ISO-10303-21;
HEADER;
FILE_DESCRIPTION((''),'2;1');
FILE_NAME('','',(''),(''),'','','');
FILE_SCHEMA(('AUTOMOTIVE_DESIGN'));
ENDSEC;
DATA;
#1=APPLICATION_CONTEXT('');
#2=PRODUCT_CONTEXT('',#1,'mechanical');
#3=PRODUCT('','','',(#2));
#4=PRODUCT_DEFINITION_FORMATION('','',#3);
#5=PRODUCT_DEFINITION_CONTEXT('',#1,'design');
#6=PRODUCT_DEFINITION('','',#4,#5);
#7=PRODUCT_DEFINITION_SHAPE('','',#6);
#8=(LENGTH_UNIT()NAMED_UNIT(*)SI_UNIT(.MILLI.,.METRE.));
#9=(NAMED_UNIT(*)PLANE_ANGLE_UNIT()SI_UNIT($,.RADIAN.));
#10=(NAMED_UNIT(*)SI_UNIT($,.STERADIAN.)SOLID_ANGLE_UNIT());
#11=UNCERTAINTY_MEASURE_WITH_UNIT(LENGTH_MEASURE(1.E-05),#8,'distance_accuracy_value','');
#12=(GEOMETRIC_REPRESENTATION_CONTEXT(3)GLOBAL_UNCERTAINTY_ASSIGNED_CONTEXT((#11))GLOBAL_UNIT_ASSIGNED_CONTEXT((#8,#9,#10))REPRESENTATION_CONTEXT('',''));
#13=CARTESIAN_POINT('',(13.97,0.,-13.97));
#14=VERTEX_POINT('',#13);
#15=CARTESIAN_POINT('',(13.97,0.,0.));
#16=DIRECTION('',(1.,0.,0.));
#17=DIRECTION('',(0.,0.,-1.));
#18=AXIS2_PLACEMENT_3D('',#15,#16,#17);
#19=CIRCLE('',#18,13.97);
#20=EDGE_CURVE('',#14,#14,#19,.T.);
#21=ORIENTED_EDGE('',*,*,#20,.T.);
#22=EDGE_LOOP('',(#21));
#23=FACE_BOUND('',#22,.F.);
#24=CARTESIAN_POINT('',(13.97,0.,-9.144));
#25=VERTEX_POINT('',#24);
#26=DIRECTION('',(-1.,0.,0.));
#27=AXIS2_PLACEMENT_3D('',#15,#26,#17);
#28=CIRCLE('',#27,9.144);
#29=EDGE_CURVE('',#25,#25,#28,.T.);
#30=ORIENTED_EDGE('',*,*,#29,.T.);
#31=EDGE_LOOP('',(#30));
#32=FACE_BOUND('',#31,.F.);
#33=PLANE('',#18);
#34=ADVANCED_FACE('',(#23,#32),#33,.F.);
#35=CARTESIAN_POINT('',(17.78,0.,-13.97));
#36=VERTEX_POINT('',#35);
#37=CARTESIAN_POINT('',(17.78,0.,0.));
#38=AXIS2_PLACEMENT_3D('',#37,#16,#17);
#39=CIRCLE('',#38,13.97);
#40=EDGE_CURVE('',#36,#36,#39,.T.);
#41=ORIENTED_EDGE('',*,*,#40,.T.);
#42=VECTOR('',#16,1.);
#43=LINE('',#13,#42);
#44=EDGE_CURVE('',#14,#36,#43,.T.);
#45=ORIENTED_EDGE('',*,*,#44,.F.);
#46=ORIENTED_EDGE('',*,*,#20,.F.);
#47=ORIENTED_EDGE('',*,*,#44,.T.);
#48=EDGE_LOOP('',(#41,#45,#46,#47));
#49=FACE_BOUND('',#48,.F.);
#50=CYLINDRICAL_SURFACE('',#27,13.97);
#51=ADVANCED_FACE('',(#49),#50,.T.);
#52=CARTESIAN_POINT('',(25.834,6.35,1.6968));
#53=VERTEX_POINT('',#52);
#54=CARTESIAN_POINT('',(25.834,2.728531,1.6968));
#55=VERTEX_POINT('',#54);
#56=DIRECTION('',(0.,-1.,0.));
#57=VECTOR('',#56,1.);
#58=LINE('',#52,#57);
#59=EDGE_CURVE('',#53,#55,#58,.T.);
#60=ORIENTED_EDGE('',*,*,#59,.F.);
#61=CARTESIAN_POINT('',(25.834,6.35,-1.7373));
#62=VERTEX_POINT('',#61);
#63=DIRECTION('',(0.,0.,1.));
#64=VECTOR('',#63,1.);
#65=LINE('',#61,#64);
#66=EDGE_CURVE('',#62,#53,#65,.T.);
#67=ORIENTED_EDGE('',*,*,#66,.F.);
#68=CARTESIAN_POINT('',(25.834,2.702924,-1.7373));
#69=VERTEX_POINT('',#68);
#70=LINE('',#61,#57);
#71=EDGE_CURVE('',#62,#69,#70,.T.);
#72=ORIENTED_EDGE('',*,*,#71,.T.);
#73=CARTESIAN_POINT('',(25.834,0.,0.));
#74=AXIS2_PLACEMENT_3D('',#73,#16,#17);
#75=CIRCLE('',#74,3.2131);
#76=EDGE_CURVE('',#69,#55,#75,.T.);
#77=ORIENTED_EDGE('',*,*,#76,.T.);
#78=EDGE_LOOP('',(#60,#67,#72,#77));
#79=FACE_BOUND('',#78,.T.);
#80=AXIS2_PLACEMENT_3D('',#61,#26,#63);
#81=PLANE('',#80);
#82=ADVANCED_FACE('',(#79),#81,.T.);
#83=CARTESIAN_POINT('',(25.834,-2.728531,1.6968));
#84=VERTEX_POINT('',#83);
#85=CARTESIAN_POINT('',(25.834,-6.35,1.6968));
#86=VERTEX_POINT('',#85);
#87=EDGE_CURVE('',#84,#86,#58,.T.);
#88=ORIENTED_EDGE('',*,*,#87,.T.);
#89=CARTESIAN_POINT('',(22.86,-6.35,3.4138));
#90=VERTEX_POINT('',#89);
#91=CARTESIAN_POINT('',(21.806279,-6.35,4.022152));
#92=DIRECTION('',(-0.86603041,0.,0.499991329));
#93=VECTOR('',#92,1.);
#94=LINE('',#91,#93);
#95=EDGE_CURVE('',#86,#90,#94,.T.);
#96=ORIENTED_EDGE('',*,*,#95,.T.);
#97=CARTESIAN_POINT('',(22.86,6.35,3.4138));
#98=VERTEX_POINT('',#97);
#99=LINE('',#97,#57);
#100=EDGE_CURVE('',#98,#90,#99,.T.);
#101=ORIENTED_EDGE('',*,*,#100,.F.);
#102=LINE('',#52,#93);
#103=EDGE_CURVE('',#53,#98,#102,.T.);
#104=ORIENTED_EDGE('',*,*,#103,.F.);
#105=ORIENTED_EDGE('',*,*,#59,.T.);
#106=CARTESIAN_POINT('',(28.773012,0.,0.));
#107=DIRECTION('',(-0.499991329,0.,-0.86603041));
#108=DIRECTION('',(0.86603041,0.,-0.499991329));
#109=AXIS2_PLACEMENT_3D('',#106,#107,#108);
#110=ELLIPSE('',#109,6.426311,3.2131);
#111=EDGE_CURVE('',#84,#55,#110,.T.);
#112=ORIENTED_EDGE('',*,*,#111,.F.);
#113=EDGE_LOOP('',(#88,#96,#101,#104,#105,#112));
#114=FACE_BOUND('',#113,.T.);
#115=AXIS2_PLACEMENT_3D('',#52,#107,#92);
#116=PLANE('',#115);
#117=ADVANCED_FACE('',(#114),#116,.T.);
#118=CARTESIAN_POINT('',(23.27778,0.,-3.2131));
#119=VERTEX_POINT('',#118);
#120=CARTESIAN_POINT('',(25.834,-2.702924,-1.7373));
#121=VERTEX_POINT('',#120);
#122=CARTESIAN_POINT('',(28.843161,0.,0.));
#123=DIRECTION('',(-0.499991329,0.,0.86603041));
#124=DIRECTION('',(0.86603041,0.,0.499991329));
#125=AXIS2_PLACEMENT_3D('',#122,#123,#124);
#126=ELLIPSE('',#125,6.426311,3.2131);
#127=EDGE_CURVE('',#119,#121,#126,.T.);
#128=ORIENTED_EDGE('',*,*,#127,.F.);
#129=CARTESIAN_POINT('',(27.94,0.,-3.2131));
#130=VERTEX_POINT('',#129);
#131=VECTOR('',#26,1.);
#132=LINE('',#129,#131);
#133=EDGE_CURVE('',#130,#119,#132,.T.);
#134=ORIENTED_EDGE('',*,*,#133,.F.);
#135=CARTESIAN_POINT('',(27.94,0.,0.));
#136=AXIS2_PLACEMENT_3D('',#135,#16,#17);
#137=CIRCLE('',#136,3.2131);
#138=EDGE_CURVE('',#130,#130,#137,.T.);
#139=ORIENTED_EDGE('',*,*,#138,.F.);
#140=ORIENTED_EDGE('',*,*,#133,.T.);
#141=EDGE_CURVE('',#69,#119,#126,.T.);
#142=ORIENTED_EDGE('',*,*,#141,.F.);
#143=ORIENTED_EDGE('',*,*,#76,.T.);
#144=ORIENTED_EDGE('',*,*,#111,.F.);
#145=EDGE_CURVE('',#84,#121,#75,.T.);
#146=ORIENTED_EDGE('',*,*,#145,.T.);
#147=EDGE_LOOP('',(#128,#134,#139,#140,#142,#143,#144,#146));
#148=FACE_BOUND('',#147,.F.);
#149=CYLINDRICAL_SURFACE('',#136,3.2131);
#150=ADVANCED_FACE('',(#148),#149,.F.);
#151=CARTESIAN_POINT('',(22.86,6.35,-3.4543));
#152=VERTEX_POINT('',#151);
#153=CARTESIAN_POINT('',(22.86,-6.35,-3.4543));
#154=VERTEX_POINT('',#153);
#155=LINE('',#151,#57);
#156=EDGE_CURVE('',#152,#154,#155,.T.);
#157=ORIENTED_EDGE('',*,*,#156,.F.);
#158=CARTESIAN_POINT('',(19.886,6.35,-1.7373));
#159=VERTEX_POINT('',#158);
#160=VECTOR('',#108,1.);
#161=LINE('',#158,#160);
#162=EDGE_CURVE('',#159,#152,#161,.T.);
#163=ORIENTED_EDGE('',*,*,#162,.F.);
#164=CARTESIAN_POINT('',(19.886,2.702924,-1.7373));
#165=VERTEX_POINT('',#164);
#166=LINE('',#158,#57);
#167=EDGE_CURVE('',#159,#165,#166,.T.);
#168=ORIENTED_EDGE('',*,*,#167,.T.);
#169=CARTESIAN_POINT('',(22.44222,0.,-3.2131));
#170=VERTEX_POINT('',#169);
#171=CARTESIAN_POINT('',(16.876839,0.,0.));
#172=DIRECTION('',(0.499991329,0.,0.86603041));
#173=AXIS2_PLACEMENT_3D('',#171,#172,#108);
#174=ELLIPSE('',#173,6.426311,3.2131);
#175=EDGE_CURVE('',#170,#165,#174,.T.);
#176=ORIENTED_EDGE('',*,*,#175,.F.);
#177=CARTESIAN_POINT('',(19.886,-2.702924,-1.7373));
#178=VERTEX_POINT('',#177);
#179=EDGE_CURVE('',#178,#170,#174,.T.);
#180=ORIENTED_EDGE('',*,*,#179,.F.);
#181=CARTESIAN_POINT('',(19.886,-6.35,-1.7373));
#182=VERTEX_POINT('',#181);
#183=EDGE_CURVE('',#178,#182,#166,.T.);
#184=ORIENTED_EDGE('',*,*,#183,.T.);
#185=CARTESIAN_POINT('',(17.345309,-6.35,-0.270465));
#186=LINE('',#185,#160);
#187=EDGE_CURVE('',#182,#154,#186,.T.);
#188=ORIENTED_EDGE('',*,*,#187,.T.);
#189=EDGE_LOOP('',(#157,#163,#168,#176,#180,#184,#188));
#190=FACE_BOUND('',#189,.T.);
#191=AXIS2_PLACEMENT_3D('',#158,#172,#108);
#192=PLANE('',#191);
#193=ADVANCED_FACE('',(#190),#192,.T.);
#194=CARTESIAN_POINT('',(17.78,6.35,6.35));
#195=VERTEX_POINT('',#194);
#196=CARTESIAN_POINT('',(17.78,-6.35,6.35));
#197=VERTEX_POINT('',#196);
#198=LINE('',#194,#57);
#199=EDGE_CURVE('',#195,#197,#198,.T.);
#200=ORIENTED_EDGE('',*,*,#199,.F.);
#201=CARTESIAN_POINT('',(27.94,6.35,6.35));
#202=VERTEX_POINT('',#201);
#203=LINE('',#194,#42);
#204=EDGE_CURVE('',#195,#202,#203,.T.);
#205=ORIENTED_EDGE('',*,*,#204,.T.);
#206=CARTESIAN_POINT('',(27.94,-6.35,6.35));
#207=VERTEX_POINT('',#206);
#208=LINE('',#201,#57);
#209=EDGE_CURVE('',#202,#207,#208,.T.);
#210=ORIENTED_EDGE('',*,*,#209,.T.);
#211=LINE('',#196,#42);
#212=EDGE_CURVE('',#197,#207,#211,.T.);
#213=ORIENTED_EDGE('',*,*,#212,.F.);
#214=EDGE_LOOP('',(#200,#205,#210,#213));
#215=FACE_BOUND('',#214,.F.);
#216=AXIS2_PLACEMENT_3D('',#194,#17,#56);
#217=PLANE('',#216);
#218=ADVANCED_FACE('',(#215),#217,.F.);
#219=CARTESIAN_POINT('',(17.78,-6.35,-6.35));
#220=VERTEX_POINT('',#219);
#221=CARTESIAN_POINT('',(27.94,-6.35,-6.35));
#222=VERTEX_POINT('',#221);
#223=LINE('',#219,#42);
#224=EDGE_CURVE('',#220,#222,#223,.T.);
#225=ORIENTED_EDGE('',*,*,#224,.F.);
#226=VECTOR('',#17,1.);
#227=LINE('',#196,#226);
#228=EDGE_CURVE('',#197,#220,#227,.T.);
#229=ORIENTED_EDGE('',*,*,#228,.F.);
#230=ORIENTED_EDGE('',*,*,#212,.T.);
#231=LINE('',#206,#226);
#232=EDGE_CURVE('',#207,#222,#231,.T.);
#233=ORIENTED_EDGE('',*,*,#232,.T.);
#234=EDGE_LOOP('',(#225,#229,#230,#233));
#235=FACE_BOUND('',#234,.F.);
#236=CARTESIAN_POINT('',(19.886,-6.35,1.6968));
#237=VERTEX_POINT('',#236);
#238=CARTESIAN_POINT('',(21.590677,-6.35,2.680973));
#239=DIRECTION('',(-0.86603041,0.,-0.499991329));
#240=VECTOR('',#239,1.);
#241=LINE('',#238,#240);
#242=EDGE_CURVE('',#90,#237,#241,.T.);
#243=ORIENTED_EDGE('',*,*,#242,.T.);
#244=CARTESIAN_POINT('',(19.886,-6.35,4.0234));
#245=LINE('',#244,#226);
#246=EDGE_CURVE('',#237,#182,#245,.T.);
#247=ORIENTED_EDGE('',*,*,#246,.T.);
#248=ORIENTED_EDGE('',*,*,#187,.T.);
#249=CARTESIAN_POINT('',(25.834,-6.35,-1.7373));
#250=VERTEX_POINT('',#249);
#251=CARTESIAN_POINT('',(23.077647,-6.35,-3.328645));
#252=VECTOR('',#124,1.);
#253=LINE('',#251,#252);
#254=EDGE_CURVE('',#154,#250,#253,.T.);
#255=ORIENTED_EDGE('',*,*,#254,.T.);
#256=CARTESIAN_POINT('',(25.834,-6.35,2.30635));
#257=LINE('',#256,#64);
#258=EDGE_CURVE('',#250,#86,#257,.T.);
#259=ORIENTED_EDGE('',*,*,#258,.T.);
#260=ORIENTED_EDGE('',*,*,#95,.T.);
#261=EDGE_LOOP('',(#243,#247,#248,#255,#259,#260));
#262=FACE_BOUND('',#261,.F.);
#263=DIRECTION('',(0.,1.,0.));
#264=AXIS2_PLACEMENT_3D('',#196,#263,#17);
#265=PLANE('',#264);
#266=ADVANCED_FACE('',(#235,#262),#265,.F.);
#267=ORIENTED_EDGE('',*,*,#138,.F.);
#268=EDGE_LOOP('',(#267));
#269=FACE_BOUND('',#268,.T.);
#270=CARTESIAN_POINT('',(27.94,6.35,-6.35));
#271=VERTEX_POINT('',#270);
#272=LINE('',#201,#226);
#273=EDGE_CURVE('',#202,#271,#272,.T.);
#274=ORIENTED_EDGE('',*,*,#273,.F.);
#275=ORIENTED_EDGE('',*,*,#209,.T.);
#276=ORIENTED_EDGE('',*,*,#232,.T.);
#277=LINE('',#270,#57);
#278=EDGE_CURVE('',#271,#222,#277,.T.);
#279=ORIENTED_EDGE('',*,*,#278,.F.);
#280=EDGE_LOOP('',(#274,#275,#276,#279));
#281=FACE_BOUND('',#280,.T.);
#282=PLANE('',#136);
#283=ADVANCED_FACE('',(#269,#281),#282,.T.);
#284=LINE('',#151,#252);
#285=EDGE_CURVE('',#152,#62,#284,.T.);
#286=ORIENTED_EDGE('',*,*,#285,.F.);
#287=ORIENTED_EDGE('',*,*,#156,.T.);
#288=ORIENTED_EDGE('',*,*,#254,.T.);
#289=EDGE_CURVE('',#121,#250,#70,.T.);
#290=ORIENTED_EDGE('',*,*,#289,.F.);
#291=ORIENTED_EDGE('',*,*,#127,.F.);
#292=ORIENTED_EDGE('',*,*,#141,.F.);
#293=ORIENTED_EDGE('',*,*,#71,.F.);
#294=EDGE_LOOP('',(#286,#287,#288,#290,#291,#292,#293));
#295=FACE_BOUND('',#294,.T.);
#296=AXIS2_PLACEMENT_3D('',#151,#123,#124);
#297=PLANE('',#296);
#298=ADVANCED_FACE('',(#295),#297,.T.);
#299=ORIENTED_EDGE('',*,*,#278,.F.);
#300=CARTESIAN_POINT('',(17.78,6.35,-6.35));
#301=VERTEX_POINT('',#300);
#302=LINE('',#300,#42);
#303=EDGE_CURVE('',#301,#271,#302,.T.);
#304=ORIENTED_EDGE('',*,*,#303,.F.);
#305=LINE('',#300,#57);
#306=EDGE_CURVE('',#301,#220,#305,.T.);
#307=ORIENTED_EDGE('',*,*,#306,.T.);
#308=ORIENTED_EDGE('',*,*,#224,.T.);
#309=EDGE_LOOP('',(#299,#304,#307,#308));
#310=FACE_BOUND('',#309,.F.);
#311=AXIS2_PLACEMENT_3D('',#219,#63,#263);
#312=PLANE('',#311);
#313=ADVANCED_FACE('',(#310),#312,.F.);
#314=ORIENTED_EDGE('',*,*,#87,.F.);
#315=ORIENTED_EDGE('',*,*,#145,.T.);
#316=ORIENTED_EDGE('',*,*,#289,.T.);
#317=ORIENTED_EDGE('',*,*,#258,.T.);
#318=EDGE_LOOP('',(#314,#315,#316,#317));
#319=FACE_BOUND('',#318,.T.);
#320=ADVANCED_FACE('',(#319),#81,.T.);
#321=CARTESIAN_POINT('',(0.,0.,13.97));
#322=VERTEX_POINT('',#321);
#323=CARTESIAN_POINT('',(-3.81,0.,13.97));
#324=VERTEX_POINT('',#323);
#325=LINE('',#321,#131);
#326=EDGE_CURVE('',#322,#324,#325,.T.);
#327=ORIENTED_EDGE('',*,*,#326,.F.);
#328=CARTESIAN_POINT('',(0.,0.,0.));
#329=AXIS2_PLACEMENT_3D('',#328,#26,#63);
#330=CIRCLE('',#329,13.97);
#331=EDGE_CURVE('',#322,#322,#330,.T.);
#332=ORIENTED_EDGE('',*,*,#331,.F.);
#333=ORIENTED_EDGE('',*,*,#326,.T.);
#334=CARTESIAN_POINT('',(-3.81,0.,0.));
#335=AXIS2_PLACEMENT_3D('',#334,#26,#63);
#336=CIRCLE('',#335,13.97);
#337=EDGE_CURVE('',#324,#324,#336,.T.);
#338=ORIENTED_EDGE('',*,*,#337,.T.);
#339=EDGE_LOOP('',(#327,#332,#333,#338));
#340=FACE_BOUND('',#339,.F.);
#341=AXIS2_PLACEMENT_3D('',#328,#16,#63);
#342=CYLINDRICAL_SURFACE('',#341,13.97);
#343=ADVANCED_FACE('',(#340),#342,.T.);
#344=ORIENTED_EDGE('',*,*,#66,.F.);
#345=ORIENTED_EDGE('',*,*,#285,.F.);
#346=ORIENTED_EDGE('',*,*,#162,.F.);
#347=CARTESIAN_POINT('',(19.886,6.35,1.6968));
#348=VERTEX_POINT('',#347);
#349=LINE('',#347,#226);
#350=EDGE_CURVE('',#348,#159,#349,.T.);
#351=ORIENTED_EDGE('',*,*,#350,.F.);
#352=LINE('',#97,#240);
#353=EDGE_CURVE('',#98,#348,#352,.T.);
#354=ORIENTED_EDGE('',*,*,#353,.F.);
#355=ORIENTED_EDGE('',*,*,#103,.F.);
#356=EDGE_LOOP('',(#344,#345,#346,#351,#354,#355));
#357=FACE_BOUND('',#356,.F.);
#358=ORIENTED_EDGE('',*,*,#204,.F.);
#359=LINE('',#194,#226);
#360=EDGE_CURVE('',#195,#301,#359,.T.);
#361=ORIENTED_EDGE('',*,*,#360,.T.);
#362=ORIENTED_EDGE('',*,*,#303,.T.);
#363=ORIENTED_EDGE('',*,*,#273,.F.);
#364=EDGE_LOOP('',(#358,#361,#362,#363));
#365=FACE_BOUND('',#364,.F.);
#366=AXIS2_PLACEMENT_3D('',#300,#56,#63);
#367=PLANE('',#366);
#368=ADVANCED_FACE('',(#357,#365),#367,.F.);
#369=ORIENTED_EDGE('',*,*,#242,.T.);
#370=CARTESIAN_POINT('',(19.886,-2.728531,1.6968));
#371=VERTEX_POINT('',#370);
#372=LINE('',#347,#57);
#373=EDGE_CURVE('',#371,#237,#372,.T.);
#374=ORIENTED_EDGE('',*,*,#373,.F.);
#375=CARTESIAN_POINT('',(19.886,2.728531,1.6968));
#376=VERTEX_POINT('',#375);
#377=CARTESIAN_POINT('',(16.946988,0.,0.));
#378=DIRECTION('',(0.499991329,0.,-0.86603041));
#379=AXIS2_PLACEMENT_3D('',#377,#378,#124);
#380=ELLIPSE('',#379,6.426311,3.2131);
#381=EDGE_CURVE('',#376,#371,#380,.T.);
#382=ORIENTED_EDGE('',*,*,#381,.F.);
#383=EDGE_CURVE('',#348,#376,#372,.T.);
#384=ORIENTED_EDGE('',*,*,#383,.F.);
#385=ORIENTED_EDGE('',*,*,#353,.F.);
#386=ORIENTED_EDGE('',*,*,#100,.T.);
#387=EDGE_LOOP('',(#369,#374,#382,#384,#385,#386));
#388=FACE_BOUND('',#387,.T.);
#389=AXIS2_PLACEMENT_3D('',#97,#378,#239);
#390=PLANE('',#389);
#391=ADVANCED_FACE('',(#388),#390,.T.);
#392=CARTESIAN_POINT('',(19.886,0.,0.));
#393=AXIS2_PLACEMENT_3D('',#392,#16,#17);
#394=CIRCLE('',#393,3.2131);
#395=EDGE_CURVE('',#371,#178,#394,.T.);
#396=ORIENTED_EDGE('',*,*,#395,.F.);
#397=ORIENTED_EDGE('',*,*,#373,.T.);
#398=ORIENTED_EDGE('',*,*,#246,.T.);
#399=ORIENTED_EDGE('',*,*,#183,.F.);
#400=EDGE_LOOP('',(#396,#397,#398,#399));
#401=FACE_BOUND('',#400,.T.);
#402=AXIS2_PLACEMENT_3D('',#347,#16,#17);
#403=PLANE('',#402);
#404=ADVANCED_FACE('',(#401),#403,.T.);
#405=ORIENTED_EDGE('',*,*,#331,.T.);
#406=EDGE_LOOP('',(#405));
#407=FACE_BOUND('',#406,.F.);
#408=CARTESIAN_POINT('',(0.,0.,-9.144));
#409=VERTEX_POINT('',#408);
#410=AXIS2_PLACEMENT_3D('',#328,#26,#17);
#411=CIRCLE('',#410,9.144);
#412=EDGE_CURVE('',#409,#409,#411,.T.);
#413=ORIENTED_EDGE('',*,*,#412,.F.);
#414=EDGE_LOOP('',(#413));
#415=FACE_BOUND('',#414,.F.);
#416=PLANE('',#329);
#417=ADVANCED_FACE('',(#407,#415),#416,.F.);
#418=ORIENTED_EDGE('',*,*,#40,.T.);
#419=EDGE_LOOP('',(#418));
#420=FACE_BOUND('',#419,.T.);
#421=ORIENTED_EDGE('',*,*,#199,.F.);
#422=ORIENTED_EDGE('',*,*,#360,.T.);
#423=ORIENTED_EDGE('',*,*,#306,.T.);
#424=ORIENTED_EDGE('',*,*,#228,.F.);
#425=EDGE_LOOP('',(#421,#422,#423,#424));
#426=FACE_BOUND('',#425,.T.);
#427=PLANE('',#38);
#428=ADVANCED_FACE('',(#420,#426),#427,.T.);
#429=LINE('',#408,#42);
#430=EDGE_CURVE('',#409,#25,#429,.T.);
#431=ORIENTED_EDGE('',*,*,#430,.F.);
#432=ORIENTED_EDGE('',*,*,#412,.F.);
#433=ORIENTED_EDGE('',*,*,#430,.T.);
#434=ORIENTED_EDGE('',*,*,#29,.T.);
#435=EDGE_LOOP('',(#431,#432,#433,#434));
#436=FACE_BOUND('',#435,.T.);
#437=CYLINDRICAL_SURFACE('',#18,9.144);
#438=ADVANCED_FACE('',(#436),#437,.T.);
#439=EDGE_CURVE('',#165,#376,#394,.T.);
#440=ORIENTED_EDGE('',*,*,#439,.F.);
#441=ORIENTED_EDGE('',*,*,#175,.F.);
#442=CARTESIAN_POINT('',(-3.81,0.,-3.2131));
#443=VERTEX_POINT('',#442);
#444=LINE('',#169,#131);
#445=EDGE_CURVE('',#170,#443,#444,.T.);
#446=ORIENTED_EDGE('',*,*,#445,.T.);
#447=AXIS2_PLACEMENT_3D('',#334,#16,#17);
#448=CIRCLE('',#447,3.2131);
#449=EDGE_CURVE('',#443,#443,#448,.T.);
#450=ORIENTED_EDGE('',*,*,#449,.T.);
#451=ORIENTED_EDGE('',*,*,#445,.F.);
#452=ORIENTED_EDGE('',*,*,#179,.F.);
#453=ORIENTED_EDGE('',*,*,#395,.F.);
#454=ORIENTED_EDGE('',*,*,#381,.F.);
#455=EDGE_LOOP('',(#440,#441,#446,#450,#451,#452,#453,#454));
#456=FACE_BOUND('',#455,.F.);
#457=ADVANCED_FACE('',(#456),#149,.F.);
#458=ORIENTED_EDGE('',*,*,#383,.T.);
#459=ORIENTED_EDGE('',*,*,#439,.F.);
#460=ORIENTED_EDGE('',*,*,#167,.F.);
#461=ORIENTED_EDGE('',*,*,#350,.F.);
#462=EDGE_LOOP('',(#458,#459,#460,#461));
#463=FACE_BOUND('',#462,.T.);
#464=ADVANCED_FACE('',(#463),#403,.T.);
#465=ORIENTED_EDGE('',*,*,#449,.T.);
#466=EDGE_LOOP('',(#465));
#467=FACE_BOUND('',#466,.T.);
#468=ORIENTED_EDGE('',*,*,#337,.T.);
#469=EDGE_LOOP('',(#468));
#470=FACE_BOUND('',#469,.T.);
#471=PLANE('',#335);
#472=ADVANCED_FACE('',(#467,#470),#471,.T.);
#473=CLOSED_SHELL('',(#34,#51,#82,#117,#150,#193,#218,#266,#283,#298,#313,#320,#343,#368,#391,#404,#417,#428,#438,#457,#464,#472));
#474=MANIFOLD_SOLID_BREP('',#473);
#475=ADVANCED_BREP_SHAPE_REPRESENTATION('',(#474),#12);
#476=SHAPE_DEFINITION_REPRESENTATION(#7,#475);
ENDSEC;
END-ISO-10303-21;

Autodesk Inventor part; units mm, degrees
ref_plane "YZ Plane" through (0, 0, 0) normal (1, 0, 0) x (0, 1, 0)
ref_plane "XZ Plane" through (0, 0, 0) normal (0, 1, 0) x (-1, 0, 0)
ref_plane "XY Plane" through (0, 0, 0) normal (0, 0, 1) x (1, 0, 0)
sketch "Sketch1" plane through (0, 0, 0) normal (1, 0, 0) x (0, 1, 0)
  circle A0 centre (0, 0) radius 9.144
  line L0 (0, 0) -> (9.144, 0)
  line L1 (9.144, 0) -> (9.144, -9.144)
  line L2 (9.144, -9.144) -> (0, -9.144)
  line L3 (0, -9.144) -> (0, 0)
  line L4 (0, 0) -> (9.144, 0)
  line L5 (9.144, 0) -> (9.144, 9.144)
  line L6 (9.144, 9.144) -> (0, 9.144)
  line L7 (0, 9.144) -> (0, 0)
  dimension "d0" = 18.288
extrude "Extrusion1" add sketch "Sketch1" along normal blind 13.97
sketch "Sketch5" plane through (13.97, 0, 0) normal (1, 0, 0) x (0, 0, -1)
  line L0 (9.144, 0) -> (9.144, 9.144) projected
  circle A0 centre (0, 0) radius 9.144
  line L1 (9.144, 9.144) -> (-9.144, 9.144)
  line L2 (-9.144, 9.144) -> (-9.144, 0)
  line L3 (-9.144, 0) -> (9.144, 0)
  line L4 (9.144, 0) -> (9.144, 9.144)
  point P0 (0, 9.144)
extrude "Extrusion5" cut sketch "Sketch5" against normal blind 25.4 contours A0 L1 L0 | L2 L1 A0
sketch "Sketch6" plane through (13.97, 0, 0) normal (1, 0, 0) x (0, 0, -1)
  circle A0 centre (0, 0) radius 3.2131
  dimension "d12" = 6.4262
extrude "Extrusion6" cut sketch "Sketch6" against normal blind 25.4
sketch "Sketch7" plane through (0, 0, 0) normal (-1, 0, 0) x (0, 0, 1)
  point P0 (0, 0)
sketch "Sketch8" plane through (13.97, 0, 0) normal (1, 0, 0) x (0, 0, -1)
  circle A0 centre (0, 0) radius 13.97
  dimension "d15" = 27.94
extrude "Extrusion7" add sketch "Sketch8" along normal blind 3.81
sketch "Sketch9" plane through (0, 0, 0) normal (-1, 0, 0) x (0, 0, 1)
  circle A0 centre (0, 0) radius 13.97
extrude "Extrusion8" add sketch "Sketch9" along normal blind 3.81
sketch "Sketch10" plane through (17.78, 0, 0) normal (1, 0, 0) x (0, 0, -1)
  line L0 (6.35, 0) -> (6.35, 6.35)
  line L1 (6.35, 6.35) -> (0, 6.35)
  line L2 (6.35, 6.35) -> (-6.35, 6.35)
  line L3 (-6.35, 6.35) -> (-6.35, -6.35)
  line L4 (-6.35, -6.35) -> (6.35, -6.35)
  line L5 (6.35, -6.35) -> (6.35, 6.35)
  point P0 (0, 0)
  dimension "d20" = 6.35
  dimension "d21" = 6.35
  dimension "d22" = 12.7
  dimension "d23" = 12.7
extrude "Extrusion9" add sketch "Sketch10" along normal blind 10.16
sketch "Sketch11" plane through (17.78, 6.35, 6.35) normal (0, 1, 0) x (1, 0, 0)
  line L0 (0, 12.7) -> (10.16, 12.7) projected
  line L1 (0, -7.62) -> (0, 20.32) projected
  line L2 (5.08, 3.1902) -> (5.08, 2.9362)
  line L3 (5.08, 9.8043) -> (8.054, 8.0873)
  line L4 (8.054, 8.0873) -> (8.054, 4.6532)
  line L5 (8.054, 4.6532) -> (5.08, 2.9362)
  line L6 (5.08, 2.9362) -> (2.106, 4.6532)
  line L7 (2.106, 4.6532) -> (2.106, 8.0873)
  line L8 (2.106, 8.0873) -> (5.08, 9.8043)
  point P0 (-17.78, 6.35)
  point P1 (-17.78, 7.62)
  point P2 (15.24, 15.24)
extrude "Extrusion10" cut sketch "Sketch11" against normal blind 25.4
sketch "Sketch12" plane through (27.94, 0, 0) normal (1, 0, 0) x (0, 0, -1)
  circle A0 centre (0, 0) radius 3.2131
extrude "Extrusion11" cut sketch "Sketch12" against normal blind 50.8
properties part number "230307 Bottom Pulley Adjusted"
